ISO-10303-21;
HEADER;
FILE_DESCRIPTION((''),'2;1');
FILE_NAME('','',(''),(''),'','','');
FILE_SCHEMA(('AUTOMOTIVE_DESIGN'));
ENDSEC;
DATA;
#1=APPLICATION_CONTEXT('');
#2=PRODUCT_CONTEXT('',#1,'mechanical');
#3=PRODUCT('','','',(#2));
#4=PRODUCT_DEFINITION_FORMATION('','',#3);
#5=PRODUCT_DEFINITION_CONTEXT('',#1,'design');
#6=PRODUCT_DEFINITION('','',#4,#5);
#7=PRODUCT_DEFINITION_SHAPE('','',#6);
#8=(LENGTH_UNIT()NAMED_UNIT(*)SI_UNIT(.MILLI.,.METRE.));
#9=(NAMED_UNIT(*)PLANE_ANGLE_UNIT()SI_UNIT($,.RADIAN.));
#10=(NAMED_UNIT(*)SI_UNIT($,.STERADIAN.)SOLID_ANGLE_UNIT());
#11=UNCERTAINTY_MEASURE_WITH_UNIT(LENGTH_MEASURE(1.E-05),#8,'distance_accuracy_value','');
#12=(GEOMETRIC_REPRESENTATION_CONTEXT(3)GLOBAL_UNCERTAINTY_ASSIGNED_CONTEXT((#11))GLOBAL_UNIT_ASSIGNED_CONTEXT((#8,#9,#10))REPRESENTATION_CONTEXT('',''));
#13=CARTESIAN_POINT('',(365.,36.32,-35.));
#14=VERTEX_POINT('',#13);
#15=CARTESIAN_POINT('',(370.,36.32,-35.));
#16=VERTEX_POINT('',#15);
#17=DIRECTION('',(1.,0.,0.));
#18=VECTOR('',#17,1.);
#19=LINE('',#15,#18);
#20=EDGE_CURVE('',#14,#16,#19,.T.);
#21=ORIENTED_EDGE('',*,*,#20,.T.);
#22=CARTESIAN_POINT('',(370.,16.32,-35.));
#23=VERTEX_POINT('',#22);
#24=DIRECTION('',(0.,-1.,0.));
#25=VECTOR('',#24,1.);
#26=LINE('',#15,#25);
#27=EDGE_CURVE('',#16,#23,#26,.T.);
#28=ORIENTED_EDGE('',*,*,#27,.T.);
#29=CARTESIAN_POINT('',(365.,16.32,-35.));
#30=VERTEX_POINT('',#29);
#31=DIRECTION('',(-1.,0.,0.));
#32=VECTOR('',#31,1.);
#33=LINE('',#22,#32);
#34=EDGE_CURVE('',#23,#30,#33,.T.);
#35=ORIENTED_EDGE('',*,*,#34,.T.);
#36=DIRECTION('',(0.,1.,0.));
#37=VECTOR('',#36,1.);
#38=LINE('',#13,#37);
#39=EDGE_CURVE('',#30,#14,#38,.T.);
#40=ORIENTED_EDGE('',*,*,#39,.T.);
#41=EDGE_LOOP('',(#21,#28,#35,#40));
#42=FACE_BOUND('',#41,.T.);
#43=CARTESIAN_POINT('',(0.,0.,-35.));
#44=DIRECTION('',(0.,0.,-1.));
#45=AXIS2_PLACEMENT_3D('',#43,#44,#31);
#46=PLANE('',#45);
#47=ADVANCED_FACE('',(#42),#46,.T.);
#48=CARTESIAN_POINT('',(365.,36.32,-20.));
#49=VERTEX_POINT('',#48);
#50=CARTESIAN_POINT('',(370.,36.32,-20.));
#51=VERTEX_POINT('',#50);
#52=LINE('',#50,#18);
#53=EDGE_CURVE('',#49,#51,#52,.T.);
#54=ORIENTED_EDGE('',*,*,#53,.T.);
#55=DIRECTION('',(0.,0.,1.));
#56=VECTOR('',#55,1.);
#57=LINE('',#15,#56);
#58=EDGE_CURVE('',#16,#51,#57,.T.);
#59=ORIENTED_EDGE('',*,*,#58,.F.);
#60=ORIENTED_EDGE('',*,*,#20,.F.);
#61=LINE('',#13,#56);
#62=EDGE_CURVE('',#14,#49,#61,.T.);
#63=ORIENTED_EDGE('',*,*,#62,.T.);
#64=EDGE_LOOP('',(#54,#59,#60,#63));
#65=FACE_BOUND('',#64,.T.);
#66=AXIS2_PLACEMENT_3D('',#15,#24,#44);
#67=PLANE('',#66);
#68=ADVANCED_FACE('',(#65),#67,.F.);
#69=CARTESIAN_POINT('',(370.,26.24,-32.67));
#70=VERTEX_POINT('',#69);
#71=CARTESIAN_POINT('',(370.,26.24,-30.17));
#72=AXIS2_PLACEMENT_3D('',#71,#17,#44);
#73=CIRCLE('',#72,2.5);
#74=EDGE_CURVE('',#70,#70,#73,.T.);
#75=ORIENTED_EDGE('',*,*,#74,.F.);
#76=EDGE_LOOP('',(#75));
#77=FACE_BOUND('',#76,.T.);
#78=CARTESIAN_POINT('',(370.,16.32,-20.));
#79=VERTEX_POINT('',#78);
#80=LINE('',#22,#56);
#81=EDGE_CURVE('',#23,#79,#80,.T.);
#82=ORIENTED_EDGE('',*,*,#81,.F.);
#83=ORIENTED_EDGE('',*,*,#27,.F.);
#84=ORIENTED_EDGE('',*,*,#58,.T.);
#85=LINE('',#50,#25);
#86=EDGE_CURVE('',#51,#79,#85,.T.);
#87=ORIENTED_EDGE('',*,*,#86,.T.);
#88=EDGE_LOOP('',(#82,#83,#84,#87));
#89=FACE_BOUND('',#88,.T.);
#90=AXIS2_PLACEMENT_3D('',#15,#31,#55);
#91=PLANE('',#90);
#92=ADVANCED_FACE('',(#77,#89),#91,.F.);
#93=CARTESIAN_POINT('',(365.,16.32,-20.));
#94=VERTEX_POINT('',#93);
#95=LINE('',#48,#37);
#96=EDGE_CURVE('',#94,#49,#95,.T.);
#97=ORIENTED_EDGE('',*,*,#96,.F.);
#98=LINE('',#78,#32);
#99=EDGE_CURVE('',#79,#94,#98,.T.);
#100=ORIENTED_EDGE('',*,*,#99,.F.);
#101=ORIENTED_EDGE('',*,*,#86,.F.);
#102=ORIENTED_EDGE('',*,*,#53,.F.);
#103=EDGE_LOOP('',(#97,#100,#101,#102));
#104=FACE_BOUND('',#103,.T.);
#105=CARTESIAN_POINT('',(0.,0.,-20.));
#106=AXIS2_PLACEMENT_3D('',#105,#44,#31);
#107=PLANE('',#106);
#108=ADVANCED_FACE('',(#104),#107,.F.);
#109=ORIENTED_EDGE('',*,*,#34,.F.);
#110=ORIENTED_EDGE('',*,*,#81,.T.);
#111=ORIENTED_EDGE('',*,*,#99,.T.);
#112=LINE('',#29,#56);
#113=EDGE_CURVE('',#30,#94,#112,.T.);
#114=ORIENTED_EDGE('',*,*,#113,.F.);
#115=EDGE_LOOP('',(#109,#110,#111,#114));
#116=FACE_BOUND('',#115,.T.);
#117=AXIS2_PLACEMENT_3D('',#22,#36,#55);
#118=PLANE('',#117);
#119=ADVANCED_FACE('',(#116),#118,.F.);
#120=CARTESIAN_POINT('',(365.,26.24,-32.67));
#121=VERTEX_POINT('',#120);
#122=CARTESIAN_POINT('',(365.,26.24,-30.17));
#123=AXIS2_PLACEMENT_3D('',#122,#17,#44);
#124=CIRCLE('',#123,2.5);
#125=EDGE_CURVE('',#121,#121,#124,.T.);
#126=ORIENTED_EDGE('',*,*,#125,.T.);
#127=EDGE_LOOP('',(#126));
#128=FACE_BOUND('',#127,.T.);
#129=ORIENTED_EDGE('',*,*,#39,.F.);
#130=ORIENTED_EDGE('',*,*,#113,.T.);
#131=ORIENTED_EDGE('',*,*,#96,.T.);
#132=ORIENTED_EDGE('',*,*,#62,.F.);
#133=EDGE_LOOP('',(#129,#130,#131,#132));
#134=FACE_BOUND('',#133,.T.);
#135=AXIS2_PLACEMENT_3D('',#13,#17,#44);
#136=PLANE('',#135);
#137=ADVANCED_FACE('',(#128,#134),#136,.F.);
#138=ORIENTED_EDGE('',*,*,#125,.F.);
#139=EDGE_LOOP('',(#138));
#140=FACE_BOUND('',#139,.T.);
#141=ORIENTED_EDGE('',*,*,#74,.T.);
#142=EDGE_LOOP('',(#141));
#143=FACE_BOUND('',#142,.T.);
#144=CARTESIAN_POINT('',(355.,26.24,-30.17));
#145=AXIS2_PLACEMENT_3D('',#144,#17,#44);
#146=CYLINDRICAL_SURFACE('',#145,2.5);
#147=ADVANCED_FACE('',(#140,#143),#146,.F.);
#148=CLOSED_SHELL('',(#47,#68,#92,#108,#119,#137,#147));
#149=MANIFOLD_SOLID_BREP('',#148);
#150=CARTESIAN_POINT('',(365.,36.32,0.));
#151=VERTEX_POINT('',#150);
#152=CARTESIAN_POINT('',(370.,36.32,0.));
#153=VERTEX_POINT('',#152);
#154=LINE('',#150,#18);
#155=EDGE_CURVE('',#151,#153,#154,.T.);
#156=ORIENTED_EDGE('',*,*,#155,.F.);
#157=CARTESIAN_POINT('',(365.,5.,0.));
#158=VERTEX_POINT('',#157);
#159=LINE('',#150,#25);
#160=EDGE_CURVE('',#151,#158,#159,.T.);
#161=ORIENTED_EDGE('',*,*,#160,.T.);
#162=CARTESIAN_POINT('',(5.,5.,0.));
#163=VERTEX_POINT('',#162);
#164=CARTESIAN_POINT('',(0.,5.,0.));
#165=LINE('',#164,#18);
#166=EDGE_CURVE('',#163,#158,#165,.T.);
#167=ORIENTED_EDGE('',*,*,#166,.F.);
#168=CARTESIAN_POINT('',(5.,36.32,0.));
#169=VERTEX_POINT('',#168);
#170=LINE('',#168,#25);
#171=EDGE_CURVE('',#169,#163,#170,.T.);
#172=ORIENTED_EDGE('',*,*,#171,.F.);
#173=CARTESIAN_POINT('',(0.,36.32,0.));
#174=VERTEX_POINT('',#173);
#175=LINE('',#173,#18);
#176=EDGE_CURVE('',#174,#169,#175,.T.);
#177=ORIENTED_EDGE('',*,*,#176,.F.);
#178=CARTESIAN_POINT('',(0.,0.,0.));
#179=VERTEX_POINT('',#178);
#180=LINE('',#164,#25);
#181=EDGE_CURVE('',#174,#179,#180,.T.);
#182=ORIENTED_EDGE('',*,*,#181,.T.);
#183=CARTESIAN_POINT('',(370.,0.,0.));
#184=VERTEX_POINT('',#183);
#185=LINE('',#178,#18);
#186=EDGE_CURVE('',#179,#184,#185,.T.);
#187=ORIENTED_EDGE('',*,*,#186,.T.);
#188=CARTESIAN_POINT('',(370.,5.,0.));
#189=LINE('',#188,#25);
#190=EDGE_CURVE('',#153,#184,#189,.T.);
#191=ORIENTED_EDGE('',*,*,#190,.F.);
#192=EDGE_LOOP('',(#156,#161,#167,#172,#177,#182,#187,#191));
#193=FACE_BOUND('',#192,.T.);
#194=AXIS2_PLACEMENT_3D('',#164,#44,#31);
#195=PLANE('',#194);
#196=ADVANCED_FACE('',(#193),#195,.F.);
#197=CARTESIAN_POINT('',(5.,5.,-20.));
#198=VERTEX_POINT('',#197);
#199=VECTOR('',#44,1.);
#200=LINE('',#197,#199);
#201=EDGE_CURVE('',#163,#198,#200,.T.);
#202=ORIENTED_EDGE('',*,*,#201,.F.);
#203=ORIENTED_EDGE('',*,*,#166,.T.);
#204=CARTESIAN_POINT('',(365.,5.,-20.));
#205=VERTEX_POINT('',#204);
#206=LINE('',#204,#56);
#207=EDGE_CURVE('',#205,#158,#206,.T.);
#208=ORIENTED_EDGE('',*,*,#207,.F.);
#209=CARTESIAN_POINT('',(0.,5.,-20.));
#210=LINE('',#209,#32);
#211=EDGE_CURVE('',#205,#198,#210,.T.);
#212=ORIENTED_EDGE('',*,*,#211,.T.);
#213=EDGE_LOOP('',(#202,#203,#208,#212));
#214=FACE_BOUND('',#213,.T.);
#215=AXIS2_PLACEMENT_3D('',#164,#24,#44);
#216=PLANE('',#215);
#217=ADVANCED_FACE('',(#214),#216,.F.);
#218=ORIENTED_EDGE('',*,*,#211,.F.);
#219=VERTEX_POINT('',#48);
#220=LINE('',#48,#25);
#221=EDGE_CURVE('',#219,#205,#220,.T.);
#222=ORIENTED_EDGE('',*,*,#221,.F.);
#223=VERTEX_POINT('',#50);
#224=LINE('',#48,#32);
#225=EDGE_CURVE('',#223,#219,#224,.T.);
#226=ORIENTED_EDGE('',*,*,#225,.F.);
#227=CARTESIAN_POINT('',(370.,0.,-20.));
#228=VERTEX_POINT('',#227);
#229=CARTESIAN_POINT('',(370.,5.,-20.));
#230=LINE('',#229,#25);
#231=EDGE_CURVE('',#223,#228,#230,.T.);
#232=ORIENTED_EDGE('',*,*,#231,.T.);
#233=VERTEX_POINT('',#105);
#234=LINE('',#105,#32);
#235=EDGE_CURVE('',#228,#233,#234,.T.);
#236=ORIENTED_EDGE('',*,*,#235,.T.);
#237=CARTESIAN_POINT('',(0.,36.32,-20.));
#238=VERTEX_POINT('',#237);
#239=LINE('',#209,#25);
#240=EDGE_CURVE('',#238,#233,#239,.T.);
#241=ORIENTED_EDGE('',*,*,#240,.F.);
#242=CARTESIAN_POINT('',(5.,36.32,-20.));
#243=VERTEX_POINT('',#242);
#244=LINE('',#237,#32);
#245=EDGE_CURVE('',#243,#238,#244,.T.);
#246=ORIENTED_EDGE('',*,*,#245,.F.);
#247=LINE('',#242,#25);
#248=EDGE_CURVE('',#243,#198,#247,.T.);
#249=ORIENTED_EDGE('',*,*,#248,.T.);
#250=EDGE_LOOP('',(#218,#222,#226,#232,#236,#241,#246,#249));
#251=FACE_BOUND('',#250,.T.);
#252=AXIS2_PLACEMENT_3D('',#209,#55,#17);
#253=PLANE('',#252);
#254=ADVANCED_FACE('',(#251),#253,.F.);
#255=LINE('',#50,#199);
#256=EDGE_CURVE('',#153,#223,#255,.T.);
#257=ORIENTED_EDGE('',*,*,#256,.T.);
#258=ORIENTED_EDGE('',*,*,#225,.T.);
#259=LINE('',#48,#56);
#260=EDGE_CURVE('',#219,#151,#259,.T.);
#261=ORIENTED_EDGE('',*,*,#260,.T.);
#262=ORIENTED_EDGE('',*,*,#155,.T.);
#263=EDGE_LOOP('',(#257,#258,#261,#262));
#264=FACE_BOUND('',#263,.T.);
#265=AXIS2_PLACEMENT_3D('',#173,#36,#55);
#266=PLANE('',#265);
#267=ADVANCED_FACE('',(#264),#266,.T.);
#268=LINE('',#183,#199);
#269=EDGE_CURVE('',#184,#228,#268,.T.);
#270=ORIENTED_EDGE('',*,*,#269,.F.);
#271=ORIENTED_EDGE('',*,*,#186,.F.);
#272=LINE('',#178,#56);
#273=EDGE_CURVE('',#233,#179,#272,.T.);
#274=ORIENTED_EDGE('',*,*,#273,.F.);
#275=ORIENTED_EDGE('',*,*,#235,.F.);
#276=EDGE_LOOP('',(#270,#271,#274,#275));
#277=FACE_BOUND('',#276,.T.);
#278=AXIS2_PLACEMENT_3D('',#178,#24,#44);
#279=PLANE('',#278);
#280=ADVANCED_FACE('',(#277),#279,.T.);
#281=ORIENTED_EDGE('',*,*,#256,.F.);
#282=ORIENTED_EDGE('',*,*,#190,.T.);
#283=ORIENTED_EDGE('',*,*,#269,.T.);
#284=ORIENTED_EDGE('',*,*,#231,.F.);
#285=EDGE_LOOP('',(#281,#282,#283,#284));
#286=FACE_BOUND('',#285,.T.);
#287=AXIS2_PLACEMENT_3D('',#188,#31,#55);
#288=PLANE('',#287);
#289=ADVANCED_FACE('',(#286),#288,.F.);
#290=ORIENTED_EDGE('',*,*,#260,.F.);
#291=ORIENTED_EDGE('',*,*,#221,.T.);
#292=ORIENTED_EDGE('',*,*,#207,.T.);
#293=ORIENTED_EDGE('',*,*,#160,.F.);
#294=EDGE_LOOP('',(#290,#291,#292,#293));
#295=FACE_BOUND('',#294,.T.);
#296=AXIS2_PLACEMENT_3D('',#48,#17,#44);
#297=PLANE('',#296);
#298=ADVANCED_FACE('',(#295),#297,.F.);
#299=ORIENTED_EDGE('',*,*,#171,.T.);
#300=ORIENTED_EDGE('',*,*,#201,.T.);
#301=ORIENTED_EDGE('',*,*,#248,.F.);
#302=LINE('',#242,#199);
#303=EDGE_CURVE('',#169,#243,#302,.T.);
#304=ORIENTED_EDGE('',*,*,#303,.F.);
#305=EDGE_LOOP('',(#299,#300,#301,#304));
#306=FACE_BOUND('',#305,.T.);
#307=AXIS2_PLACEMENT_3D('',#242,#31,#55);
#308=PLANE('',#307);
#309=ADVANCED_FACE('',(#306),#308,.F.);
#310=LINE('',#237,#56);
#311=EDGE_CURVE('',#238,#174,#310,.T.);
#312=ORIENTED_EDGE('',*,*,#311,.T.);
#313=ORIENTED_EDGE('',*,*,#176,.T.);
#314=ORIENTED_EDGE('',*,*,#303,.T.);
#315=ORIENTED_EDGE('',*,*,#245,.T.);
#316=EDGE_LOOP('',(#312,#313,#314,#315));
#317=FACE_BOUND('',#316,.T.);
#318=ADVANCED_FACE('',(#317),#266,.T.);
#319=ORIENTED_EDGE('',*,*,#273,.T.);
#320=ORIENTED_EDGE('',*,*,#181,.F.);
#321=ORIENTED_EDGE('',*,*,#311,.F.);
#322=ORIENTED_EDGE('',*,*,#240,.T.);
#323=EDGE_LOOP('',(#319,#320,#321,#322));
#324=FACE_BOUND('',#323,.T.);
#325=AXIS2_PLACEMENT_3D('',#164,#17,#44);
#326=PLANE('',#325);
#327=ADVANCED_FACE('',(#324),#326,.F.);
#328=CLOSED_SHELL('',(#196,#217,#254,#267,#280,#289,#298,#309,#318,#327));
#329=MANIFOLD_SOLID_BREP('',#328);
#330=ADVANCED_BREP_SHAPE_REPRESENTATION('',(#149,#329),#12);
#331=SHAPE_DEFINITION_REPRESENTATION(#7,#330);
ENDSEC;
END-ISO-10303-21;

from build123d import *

# Parameters (mm, degrees)
SKETCH1_W           = 370
SKETCH1_H           = 20
BOSS_EXTRUDE1_DEPTH = 5
SKETCH2_W           = 5
SKETCH2_H           = 20
BOSS_EXTRUDE2_DEPTH = 31.32
SKETCH3_W           = 5
SKETCH3_H           = 20
BOSS_EXTRUDE3_DEPTH = 15
SKETCH4_R           = 2.5
CUT_EXTRUDE1_DEPTH  = 15


with BuildPart() as part:
    # Sketch1 → Boss-Extrude1 (new body)
    with BuildSketch(Plane(origin=(0, 0, 0), x_dir=(1, 0, 0), z_dir=(0, 1, 0))):
        with Locations((185, 10)):
            Rectangle(SKETCH1_W, SKETCH1_H)
    extrude(amount=BOSS_EXTRUDE1_DEPTH)

    # Sketch2 → Boss-Extrude2 (add)
    with BuildSketch(Plane(origin=(0, 5, 0), x_dir=(1, 0, 0), z_dir=(0, 1, 0))):
        with Locations((2.5, 10)):
            Rectangle(SKETCH2_W, SKETCH2_H)
        with Locations((367.5, 10)):
            Rectangle(SKETCH2_W, SKETCH2_H)
    extrude(amount=BOSS_EXTRUDE2_DEPTH)


with BuildPart() as body_2:
    # Sketch3 → Boss-Extrude3 (new body)
    with BuildSketch(Plane(origin=(0, 0, -20), x_dir=(-1, 0, 0), z_dir=(0, 0, -1))):
        with Locations((-367.5, 26.32)):
            Rectangle(SKETCH3_W, SKETCH3_H)
    extrude(amount=BOSS_EXTRUDE3_DEPTH)

    # Sketch4 → Cut-Extrude1 (cut)
    with BuildSketch(Plane(origin=(370, 0, 0), x_dir=(0, 0, -1), z_dir=(1, 0, 0))):
        with Locations((30.17, 26.24)):
            Circle(SKETCH4_R)
    extrude(amount=-CUT_EXTRUDE1_DEPTH, mode=Mode.SUBTRACT)


solid = Compound([part.part, body_2.part])
